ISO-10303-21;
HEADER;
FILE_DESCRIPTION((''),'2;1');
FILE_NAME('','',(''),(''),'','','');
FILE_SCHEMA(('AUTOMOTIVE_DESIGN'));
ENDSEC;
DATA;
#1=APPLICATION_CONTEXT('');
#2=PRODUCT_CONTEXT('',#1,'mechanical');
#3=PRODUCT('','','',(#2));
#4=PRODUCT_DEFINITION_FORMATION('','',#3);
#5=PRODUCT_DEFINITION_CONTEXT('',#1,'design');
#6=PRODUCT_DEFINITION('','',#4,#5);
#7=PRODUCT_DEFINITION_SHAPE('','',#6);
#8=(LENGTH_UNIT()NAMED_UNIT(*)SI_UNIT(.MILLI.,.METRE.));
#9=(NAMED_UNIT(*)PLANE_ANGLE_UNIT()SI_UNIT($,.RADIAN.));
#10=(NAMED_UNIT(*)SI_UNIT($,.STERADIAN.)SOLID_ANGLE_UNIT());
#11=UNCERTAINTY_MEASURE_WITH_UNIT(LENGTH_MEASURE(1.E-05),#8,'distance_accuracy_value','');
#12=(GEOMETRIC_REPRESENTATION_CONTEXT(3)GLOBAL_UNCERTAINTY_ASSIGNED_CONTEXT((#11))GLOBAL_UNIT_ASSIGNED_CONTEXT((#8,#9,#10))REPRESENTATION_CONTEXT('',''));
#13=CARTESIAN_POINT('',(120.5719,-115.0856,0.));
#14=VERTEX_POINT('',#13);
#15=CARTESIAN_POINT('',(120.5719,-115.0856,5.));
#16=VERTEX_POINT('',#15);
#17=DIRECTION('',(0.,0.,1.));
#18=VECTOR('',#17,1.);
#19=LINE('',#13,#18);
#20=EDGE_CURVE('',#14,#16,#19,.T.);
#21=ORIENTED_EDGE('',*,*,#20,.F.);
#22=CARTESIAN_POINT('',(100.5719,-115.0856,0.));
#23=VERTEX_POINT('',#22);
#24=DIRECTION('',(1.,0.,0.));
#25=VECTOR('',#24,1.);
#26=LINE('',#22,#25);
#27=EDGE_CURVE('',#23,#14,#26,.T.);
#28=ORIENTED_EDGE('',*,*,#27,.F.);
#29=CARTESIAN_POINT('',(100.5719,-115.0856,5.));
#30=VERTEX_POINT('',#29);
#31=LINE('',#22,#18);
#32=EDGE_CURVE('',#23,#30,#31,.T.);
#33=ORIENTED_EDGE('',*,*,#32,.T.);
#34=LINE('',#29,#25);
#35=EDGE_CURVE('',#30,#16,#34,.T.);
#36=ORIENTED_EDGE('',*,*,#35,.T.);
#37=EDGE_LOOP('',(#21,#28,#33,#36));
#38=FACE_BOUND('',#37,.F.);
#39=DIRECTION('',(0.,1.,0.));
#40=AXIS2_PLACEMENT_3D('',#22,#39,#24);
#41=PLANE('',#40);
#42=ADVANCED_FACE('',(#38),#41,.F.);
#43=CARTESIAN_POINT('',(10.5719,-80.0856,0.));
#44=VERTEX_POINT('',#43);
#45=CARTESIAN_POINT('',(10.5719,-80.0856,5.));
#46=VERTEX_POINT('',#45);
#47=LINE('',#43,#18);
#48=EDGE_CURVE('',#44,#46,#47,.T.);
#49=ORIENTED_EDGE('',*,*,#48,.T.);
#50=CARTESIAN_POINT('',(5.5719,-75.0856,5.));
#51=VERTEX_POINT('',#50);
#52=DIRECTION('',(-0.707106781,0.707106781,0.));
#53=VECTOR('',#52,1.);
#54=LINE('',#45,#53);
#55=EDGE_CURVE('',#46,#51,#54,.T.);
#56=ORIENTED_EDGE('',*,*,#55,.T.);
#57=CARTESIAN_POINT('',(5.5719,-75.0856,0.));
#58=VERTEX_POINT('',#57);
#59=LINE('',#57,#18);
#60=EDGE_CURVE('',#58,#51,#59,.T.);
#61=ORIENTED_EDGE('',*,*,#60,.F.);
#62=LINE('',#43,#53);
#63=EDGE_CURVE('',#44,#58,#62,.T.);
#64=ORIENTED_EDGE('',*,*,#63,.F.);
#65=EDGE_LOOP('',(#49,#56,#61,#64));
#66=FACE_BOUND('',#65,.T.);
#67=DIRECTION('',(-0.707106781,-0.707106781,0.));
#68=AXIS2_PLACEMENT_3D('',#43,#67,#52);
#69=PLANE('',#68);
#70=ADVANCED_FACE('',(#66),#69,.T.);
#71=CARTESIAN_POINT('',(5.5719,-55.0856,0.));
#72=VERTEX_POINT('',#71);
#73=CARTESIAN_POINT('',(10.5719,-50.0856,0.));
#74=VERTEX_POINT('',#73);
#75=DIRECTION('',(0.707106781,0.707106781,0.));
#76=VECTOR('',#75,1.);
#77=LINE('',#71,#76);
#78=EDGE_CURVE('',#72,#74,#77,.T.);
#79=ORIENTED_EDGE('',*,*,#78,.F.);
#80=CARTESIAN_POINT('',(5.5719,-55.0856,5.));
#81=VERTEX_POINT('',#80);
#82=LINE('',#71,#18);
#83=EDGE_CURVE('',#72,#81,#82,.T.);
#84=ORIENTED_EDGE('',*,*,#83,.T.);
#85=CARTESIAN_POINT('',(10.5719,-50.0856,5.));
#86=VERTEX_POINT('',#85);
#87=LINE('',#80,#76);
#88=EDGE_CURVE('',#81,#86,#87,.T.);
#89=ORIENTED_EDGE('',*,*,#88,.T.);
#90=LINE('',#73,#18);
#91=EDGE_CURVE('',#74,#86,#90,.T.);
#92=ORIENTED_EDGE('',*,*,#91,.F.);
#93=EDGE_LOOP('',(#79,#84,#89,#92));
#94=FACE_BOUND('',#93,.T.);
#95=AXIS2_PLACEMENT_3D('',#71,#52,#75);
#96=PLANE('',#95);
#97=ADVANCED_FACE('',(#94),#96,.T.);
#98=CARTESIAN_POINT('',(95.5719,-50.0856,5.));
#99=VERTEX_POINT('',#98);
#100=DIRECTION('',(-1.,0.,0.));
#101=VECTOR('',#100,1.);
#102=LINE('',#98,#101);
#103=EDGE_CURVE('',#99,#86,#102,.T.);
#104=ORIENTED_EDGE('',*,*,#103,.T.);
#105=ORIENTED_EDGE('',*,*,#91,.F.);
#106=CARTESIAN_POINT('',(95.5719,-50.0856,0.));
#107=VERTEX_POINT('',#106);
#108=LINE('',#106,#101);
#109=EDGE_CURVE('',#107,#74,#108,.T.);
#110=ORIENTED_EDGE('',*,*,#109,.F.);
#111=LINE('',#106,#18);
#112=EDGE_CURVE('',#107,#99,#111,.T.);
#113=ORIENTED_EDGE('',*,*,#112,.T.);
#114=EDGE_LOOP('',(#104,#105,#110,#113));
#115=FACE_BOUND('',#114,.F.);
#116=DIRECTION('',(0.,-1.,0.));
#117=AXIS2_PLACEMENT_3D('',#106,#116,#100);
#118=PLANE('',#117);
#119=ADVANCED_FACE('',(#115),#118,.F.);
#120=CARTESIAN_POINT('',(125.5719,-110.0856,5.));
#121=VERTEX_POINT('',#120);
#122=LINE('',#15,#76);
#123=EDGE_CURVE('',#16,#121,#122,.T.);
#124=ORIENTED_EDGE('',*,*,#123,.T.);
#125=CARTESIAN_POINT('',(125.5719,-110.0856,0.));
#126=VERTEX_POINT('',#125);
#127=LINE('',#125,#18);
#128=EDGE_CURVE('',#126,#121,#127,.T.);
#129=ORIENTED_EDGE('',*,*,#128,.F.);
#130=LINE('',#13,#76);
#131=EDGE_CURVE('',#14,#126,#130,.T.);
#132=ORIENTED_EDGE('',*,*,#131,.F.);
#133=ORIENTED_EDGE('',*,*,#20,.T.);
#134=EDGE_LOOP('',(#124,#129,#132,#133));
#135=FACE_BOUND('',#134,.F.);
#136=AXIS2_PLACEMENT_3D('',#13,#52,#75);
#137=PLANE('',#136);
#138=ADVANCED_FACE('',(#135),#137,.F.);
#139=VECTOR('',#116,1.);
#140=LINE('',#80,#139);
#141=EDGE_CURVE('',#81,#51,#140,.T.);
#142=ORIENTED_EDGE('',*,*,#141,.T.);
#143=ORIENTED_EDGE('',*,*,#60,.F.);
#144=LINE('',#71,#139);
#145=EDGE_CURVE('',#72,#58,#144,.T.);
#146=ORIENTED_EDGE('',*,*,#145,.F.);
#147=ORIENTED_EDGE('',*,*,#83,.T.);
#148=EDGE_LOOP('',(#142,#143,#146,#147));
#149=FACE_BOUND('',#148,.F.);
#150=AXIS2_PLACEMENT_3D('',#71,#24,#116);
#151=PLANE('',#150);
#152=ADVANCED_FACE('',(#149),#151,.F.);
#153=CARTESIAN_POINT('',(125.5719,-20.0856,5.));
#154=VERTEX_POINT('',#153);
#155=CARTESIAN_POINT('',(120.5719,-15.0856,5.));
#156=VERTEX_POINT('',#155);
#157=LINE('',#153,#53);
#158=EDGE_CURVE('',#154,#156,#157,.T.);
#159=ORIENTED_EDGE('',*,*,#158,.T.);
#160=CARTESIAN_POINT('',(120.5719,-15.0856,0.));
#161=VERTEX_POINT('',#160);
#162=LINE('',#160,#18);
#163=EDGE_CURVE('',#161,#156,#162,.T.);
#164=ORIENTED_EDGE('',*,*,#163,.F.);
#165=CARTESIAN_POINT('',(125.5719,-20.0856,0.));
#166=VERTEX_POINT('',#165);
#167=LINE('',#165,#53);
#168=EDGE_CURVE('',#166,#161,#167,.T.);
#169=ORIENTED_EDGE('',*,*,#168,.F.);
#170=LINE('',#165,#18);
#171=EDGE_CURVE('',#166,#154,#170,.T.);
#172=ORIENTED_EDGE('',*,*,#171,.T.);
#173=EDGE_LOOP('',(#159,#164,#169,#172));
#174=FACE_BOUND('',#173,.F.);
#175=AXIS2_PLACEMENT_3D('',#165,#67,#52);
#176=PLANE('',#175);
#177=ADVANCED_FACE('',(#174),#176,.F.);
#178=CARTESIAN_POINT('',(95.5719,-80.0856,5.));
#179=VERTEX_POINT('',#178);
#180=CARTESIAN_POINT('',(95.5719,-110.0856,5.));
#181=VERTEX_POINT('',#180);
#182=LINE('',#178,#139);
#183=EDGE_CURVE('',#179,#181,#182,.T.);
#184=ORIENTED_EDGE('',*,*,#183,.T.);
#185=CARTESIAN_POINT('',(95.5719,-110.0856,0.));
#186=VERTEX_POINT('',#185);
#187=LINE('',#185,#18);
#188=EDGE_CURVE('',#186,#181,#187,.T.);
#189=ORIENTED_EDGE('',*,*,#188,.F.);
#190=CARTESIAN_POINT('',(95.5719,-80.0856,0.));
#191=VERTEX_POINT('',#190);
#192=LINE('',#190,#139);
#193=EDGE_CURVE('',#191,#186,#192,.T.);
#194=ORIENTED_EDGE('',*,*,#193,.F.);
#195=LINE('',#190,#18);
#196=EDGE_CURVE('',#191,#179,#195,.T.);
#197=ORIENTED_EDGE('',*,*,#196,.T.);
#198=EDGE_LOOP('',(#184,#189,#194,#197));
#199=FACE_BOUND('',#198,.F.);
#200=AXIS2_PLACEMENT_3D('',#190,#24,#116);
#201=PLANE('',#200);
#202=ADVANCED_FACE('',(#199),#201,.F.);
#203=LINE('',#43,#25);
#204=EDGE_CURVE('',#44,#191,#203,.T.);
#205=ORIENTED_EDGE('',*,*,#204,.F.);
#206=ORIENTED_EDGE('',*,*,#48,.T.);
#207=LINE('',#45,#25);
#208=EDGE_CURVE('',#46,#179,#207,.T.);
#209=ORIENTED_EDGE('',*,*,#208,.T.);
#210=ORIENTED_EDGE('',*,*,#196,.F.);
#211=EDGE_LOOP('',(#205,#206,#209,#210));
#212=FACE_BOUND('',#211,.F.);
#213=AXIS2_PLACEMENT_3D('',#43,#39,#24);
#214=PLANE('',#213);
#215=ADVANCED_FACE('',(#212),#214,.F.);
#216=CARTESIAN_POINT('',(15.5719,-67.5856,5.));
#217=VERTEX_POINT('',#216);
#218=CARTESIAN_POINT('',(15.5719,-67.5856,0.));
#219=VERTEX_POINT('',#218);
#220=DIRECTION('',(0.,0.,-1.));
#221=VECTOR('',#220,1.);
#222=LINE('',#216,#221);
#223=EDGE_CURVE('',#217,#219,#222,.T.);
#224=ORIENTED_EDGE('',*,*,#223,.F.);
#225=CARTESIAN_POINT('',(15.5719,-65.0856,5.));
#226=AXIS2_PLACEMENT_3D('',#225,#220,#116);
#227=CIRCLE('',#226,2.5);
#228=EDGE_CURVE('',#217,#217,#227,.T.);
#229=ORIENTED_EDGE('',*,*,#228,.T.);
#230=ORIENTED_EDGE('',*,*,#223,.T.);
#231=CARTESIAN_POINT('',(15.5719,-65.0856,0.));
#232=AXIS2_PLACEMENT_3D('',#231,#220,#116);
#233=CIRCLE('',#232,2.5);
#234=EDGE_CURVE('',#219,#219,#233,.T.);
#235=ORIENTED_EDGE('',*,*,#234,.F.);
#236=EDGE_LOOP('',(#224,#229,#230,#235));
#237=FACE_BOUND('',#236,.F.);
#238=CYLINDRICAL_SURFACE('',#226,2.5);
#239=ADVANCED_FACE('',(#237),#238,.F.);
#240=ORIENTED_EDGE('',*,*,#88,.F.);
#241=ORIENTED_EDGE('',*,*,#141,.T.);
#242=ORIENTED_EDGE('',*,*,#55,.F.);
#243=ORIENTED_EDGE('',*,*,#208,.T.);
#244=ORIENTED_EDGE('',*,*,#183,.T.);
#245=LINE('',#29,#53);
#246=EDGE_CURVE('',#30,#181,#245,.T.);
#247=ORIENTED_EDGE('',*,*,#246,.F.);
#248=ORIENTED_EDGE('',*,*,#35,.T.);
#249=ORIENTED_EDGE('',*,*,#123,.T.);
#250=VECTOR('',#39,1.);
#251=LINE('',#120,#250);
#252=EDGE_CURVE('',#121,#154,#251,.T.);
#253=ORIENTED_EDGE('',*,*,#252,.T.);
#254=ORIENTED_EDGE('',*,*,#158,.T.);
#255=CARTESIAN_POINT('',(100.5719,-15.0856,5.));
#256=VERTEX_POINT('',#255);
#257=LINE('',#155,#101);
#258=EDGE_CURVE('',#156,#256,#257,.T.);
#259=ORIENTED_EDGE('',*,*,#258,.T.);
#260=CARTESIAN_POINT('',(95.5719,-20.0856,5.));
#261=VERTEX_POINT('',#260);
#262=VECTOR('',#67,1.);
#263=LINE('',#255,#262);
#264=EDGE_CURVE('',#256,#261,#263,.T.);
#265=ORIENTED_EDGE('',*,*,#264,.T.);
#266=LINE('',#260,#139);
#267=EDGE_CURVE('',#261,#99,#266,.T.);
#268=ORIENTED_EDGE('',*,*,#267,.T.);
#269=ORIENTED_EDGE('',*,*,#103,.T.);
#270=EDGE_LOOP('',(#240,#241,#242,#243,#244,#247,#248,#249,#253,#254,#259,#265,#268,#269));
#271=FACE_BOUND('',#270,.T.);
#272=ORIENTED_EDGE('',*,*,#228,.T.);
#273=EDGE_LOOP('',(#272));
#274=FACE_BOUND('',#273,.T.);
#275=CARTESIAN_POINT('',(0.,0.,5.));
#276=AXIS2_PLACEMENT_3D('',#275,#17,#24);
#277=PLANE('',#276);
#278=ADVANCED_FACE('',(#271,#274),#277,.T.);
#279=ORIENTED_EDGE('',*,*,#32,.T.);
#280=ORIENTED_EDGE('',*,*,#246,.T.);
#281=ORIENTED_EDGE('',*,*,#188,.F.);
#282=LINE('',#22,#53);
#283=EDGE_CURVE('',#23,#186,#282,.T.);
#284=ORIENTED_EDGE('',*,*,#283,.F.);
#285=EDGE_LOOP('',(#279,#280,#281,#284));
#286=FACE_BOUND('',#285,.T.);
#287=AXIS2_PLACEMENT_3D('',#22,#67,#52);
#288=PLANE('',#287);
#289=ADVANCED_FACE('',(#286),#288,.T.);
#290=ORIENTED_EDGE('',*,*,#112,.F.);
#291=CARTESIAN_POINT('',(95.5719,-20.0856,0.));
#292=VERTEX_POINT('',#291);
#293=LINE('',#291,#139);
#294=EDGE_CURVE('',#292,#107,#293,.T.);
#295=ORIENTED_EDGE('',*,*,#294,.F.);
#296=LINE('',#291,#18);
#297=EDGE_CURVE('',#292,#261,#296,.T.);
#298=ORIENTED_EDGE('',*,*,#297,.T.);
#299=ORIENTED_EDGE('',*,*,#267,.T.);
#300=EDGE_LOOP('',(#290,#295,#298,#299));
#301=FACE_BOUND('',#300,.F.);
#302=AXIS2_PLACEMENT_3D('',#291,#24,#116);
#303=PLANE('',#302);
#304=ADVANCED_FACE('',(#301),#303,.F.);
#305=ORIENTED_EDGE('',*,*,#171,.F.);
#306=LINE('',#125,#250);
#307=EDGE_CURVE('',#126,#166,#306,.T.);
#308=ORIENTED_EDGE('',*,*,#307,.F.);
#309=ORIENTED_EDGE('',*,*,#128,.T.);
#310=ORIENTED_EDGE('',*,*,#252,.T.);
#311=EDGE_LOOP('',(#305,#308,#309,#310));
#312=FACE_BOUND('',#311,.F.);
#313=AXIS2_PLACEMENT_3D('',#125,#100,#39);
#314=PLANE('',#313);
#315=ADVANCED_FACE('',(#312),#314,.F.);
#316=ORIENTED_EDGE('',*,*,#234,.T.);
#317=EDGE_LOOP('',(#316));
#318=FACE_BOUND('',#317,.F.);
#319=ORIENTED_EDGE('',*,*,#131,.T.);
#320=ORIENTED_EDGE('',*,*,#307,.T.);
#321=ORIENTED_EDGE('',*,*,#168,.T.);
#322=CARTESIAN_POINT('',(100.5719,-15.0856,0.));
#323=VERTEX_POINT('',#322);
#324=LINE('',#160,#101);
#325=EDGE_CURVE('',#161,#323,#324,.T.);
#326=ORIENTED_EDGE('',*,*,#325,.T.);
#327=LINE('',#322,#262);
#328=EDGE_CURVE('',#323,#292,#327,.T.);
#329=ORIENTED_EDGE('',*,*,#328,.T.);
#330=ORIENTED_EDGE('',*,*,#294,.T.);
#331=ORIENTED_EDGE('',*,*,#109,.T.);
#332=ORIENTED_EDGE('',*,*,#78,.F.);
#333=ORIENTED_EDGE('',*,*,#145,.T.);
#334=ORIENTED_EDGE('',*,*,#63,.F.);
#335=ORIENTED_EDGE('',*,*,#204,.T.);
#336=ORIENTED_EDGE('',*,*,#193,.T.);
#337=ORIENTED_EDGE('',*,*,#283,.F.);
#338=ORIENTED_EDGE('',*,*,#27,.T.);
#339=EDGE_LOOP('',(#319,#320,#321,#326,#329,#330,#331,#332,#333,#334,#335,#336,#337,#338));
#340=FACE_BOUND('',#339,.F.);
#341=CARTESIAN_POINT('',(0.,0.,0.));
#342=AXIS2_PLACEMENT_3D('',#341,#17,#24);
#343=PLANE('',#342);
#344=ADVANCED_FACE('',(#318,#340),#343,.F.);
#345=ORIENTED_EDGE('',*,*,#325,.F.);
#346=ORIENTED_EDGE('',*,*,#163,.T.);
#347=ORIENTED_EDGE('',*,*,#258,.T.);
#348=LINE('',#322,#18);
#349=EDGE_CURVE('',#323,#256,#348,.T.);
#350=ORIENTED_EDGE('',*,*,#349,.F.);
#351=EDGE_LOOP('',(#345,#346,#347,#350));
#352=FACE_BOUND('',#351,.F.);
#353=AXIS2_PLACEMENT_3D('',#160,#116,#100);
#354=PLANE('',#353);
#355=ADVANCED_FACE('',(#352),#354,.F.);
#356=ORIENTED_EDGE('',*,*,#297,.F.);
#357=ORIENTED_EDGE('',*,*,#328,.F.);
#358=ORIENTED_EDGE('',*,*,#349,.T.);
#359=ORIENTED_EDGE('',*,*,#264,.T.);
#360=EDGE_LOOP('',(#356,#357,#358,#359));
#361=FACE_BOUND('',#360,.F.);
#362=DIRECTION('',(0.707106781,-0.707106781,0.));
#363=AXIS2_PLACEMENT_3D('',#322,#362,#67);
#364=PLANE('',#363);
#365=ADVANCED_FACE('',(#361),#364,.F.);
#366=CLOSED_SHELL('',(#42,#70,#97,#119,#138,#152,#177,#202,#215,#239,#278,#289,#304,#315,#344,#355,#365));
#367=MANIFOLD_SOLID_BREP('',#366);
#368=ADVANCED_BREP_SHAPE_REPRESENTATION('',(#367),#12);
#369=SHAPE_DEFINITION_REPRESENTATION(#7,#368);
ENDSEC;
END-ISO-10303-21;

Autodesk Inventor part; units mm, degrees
ref_plane "YZ Plane" through (0, 0, 0) normal (1, 0, 0) x (0, 1, 0)
ref_plane "XZ Plane" through (0, 0, 0) normal (0, 1, 0) x (-1, 0, 0)
ref_plane "XY Plane" through (0, 0, 0) normal (0, 0, 1) x (1, 0, 0)
sketch "Sketch1" plane through (0, 0, 0) normal (0, 0, 1) x (1, 0, 0)
  line L0 (120.5719, -15.0856) -> (100.5719, -15.0856)
  line L1 (100.5719, -115.0856) -> (120.5719, -115.0856)
  line L2 (125.5719, -110.0856) -> (125.5719, -20.0856)
  line L3 (95.5719, -50.0856) -> (10.5719, -50.0856)
  line L4 (5.5719, -55.0856) -> (5.5719, -75.0856)
  line L5 (10.5719, -80.0856) -> (95.5719, -80.0856)
  line L6 (95.5719, -20.0856) -> (95.5719, -50.0856)
  line L7 (95.5719, -80.0856) -> (95.5719, -110.0856)
  line L8 (125.5719, -65.0856) -> (5.5719, -65.0856) construction
  line L9 (125.5719, -20.0856) -> (120.5719, -15.0856)
  line L10 (100.5719, -15.0856) -> (95.5719, -20.0856)
  line L11 (120.5719, -115.0856) -> (125.5719, -110.0856)
  line L12 (100.5719, -115.0856) -> (95.5719, -110.0856)
  line L13 (10.5719, -80.0856) -> (5.5719, -75.0856)
  line L14 (5.5719, -55.0856) -> (10.5719, -50.0856)
  point P0 (0, 0)
  point P1 (125.5719, -15.0856)
  point P2 (95.5719, -115.0856)
  point P3 (95.5719, -15.0856)
  point P4 (125.5719, -115.0856)
  point P5 (5.5719, -80.0856)
  point P6 (5.5719, -50.0856)
  point P7 (15.5719, -65.0856)
  dimension "d0" = 30
  dimension "d3" = 30
  dimension "d4" = 100
  dimension "d5" = 5
  dimension "d6" = 5
  dimension "d7" = 5
  dimension "d8" = 5
  dimension "d9" = 5
  dimension "d10" = 5
  dimension "d11" = 5
  dimension "d12" = 5
  dimension "d13" = 5
  dimension "d14" = 5
  dimension "d15" = 5
  dimension "d16" = 5
  dimension "d33" = 10
  dimension "d37" = 90
extrude "Extrusion1" add sketch "Sketch1" along normal blind 5
sketch "Sketch2" plane through (0, 0, 5) normal (0, 0, 1) x (1, 0, 0)
  line L0 (5.5719, -55.0856) -> (5.5719, -75.0856) projected
  line L1 (10.5719, -80.0856) -> (95.5719, -80.0856) projected
  point P0 (0, 0)
  point P1 (15.5719, -65.0856)
  dimension "d19" = 10
  dimension "d27" = 15
hole "Hole1" at (15.5719, -65.0856, 5) direction (0, 0, -1) diameter 5 end through all
equation "\"d6\" = d5"
equation "\"d7\" = d5"
equation "\"d8\" = d7"
equation "\"d9\" = d5"
equation "\"d10\" = d9"
equation "\"d11\" = d5"
equation "\"d12\" = d11"
equation "\"d13\" = d5"
equation "\"d14\" = d13"
equation "\"d15\" = d5"
equation "\"d16\" = d15"
properties part number "PistonV2" material "MDF Medium Density Fiberboard"
